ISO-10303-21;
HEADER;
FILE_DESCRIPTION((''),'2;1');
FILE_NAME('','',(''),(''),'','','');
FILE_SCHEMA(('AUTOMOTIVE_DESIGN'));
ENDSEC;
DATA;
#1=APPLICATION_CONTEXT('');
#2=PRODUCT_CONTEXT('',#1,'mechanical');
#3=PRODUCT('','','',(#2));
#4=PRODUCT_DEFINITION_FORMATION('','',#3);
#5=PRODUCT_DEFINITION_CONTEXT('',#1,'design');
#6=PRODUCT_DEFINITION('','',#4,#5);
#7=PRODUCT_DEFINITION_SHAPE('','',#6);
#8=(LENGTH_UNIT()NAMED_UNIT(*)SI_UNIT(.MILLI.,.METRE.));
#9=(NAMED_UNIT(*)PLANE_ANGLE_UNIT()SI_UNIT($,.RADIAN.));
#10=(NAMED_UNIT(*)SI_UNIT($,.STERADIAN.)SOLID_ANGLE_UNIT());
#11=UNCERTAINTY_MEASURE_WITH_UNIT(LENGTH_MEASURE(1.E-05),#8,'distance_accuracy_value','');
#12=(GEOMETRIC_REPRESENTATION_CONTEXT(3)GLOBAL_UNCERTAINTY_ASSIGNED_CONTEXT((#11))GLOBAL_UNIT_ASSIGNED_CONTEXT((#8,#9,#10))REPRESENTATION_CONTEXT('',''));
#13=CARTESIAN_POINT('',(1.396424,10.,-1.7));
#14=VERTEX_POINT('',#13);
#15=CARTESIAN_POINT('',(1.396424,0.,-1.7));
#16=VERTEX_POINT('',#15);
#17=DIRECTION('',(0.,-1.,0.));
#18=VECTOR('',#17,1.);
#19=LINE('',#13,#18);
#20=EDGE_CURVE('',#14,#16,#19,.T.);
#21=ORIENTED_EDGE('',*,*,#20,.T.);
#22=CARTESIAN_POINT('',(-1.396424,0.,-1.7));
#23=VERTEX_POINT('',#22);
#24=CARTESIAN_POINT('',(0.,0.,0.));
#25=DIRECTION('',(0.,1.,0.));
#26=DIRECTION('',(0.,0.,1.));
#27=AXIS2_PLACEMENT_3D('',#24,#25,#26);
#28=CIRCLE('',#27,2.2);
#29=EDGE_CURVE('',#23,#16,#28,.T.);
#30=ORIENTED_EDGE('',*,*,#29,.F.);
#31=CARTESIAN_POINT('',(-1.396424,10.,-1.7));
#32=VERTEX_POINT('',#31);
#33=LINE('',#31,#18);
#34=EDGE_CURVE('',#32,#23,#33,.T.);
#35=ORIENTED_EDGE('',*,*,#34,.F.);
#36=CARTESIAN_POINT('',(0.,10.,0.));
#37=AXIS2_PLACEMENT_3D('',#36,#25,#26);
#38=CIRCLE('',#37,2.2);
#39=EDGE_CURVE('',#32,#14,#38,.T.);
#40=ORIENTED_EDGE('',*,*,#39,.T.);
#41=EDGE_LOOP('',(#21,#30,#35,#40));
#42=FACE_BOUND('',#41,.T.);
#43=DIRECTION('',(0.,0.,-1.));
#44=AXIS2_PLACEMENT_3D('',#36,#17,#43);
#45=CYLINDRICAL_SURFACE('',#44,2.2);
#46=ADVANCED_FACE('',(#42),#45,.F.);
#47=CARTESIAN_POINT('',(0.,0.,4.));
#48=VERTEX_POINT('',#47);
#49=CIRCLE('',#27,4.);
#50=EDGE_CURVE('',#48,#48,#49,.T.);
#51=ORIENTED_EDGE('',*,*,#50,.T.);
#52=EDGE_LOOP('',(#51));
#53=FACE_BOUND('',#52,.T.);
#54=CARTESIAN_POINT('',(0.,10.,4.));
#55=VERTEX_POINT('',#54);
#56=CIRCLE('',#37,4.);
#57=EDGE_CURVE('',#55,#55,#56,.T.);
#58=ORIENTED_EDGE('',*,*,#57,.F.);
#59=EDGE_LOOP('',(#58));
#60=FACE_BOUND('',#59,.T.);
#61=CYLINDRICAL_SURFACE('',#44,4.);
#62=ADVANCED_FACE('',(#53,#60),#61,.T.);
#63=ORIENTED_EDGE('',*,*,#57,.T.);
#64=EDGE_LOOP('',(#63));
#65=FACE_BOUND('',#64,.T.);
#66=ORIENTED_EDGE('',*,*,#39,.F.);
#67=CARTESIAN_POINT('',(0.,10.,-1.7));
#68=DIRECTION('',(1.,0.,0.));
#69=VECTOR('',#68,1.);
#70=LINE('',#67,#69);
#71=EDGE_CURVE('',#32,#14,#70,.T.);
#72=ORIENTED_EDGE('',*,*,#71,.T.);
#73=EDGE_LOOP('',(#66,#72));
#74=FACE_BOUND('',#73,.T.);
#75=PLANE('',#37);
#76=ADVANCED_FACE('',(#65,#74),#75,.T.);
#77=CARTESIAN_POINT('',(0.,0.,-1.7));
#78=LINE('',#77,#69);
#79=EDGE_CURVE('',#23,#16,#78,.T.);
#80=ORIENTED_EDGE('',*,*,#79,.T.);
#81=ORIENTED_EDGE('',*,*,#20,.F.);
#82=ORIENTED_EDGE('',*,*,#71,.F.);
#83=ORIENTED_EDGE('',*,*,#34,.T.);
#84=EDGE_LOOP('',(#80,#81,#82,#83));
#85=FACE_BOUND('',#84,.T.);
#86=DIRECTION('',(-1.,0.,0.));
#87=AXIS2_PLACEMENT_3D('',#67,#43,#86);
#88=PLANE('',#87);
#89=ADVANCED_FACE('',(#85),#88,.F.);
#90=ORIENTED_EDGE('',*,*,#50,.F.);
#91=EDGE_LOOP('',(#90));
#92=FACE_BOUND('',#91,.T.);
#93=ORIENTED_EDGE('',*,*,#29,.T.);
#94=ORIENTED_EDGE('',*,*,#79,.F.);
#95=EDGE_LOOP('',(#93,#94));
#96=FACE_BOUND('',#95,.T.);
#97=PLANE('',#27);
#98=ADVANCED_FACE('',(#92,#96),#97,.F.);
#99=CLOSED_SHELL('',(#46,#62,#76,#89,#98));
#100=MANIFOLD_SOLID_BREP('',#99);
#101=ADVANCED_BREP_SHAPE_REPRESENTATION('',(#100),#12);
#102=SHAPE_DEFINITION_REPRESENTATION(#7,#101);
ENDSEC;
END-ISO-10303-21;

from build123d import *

# Parameters (mm, degrees)
SKETCH1_R           = 4
BOSS_EXTRUDE1_DEPTH = 10


with BuildPart() as part:
    # Sketch1 → Boss-Extrude1 (new body)
    with BuildSketch(Plane(origin=(0, 0, 0), x_dir=(1, 0, 0), z_dir=(0, 1, 0))):
        Circle(SKETCH1_R)
        with BuildLine():
            Line((-1.396424004, 1.7), (1.396424004, 1.7))
            ThreePointArc((1.396424004, 1.7), (0, -2.2), (-1.396424004, 1.7))
        make_face(mode=Mode.SUBTRACT)
    extrude(amount=BOSS_EXTRUDE1_DEPTH)


solid = part.part
